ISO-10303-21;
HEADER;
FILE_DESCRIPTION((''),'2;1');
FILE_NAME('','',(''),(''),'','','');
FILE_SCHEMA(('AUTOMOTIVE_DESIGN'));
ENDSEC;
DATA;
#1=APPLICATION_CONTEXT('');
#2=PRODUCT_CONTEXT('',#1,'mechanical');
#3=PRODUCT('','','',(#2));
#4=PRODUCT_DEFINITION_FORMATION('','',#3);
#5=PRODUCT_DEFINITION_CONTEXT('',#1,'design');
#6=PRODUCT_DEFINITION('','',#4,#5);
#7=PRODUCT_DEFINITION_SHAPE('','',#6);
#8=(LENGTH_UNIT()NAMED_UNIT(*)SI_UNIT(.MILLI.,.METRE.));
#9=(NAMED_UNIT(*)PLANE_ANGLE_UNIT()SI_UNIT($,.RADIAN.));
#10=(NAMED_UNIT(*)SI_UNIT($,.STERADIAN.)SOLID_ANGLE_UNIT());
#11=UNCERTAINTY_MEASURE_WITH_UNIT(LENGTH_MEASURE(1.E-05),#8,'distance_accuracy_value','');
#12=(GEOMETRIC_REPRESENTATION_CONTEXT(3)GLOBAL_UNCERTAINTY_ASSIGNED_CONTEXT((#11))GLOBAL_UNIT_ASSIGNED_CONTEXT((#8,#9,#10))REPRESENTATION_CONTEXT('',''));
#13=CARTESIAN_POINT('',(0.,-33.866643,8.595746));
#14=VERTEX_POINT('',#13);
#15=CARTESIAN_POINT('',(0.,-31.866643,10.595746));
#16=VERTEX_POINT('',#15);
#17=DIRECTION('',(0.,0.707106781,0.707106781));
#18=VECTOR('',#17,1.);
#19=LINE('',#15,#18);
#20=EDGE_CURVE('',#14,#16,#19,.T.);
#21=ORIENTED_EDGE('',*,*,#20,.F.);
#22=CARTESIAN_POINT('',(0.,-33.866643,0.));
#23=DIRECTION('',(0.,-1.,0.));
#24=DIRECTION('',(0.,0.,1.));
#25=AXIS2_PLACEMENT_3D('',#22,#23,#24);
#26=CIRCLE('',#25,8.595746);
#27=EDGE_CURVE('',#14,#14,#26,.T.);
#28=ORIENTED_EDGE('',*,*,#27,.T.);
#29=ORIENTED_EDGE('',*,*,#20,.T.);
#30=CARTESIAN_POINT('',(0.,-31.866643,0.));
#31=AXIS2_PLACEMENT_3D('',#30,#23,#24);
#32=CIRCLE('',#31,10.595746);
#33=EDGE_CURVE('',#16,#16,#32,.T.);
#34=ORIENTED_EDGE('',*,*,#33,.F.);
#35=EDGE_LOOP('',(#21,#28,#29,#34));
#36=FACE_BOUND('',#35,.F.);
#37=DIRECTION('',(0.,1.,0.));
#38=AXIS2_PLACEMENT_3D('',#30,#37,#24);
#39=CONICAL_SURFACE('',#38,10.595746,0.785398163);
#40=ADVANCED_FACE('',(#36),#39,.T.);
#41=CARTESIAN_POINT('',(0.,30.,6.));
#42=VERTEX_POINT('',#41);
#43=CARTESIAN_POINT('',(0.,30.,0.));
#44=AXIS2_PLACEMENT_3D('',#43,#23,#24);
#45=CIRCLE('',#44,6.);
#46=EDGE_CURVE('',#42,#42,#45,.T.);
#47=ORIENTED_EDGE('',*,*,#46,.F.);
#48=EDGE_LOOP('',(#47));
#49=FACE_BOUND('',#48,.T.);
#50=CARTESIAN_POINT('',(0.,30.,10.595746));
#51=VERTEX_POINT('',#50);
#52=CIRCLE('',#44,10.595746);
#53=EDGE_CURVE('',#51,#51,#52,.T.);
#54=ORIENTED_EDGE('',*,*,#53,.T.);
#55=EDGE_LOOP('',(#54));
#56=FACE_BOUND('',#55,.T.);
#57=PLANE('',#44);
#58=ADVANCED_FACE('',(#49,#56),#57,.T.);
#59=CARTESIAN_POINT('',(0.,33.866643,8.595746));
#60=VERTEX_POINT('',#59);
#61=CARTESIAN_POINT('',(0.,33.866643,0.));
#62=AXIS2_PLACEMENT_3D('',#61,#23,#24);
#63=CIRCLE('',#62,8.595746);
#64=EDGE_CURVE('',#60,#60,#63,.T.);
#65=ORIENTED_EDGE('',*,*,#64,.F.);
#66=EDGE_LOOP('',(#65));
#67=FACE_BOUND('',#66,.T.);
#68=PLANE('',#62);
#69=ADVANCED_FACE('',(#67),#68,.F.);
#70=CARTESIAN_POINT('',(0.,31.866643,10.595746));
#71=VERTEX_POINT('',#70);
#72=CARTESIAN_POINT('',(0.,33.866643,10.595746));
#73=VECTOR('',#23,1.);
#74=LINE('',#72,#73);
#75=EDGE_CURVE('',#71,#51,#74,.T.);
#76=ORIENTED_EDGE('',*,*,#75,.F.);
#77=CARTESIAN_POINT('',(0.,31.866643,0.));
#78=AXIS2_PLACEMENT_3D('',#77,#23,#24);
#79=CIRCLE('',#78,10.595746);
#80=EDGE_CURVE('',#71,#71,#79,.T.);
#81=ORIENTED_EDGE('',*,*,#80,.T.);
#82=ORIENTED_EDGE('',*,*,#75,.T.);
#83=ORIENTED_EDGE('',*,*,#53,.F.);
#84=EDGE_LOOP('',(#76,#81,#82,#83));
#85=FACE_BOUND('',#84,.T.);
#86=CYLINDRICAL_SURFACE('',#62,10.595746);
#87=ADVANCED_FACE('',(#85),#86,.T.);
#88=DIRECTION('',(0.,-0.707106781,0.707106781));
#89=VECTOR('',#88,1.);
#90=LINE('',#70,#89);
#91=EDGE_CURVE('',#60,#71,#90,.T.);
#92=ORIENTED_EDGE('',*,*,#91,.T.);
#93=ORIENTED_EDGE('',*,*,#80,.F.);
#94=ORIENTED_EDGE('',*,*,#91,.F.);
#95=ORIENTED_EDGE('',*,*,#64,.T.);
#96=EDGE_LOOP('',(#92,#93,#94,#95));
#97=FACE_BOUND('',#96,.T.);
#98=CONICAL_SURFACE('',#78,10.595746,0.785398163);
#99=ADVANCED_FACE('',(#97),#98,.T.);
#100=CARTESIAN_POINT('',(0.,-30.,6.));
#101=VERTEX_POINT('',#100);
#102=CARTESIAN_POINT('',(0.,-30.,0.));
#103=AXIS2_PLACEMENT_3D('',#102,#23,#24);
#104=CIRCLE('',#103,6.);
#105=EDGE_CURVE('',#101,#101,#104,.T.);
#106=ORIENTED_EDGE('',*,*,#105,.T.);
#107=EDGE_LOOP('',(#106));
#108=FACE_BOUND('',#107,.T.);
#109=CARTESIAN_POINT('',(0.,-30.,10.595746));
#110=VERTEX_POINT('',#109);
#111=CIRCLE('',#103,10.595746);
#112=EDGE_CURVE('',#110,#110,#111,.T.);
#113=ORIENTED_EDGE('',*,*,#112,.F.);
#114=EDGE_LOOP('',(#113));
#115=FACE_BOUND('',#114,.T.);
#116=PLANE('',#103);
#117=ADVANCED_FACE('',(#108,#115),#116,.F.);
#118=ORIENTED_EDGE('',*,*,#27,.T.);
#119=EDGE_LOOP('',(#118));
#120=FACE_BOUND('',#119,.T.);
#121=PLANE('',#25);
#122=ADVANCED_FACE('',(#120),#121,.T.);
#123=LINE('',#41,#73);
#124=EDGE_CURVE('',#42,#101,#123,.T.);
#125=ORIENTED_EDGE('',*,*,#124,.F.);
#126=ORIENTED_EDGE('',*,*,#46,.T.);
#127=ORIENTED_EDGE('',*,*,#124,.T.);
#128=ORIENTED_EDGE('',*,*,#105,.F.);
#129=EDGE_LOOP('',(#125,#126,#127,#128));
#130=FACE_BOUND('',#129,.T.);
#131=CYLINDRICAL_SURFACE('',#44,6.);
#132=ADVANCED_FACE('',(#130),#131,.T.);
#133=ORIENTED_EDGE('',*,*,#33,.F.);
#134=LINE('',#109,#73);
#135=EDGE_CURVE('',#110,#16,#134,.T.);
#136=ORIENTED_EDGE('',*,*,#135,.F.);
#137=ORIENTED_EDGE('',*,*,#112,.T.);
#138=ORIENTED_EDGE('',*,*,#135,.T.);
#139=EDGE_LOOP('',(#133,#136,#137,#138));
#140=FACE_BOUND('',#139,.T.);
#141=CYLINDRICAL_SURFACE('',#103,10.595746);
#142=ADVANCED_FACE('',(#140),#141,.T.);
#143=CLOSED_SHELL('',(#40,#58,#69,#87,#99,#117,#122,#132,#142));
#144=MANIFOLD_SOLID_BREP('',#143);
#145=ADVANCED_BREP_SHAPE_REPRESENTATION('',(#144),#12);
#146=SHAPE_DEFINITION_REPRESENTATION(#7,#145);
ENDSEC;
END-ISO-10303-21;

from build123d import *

# Parameters (mm, degrees)
F2_SIZE = 2


with BuildPart() as f1:
    # F0 (on Right) → F1 (revolve)
    with BuildSketch(Plane.YZ):
        Polygon((-33.866643, 10.595746), (-33.866643, 0), (0, 0), (33.866643, 0), (33.866643, 10.595746), (30, 10.595746), (30, 6), (0, 6), (-30, 6), (-30, 10.595746), align=None)
    revolve(axis=Axis((0, -16.933322, 0), (0, -1, 0)))

    # F2
    f2_edges = [f1.edges().sort_by_distance(p)[0] for p in [
        (0, -33.866643, -10.595746),
        (0, 33.866643, -10.595746),
    ]]
    chamfer(f2_edges, length=F2_SIZE)


solid = f1.part
